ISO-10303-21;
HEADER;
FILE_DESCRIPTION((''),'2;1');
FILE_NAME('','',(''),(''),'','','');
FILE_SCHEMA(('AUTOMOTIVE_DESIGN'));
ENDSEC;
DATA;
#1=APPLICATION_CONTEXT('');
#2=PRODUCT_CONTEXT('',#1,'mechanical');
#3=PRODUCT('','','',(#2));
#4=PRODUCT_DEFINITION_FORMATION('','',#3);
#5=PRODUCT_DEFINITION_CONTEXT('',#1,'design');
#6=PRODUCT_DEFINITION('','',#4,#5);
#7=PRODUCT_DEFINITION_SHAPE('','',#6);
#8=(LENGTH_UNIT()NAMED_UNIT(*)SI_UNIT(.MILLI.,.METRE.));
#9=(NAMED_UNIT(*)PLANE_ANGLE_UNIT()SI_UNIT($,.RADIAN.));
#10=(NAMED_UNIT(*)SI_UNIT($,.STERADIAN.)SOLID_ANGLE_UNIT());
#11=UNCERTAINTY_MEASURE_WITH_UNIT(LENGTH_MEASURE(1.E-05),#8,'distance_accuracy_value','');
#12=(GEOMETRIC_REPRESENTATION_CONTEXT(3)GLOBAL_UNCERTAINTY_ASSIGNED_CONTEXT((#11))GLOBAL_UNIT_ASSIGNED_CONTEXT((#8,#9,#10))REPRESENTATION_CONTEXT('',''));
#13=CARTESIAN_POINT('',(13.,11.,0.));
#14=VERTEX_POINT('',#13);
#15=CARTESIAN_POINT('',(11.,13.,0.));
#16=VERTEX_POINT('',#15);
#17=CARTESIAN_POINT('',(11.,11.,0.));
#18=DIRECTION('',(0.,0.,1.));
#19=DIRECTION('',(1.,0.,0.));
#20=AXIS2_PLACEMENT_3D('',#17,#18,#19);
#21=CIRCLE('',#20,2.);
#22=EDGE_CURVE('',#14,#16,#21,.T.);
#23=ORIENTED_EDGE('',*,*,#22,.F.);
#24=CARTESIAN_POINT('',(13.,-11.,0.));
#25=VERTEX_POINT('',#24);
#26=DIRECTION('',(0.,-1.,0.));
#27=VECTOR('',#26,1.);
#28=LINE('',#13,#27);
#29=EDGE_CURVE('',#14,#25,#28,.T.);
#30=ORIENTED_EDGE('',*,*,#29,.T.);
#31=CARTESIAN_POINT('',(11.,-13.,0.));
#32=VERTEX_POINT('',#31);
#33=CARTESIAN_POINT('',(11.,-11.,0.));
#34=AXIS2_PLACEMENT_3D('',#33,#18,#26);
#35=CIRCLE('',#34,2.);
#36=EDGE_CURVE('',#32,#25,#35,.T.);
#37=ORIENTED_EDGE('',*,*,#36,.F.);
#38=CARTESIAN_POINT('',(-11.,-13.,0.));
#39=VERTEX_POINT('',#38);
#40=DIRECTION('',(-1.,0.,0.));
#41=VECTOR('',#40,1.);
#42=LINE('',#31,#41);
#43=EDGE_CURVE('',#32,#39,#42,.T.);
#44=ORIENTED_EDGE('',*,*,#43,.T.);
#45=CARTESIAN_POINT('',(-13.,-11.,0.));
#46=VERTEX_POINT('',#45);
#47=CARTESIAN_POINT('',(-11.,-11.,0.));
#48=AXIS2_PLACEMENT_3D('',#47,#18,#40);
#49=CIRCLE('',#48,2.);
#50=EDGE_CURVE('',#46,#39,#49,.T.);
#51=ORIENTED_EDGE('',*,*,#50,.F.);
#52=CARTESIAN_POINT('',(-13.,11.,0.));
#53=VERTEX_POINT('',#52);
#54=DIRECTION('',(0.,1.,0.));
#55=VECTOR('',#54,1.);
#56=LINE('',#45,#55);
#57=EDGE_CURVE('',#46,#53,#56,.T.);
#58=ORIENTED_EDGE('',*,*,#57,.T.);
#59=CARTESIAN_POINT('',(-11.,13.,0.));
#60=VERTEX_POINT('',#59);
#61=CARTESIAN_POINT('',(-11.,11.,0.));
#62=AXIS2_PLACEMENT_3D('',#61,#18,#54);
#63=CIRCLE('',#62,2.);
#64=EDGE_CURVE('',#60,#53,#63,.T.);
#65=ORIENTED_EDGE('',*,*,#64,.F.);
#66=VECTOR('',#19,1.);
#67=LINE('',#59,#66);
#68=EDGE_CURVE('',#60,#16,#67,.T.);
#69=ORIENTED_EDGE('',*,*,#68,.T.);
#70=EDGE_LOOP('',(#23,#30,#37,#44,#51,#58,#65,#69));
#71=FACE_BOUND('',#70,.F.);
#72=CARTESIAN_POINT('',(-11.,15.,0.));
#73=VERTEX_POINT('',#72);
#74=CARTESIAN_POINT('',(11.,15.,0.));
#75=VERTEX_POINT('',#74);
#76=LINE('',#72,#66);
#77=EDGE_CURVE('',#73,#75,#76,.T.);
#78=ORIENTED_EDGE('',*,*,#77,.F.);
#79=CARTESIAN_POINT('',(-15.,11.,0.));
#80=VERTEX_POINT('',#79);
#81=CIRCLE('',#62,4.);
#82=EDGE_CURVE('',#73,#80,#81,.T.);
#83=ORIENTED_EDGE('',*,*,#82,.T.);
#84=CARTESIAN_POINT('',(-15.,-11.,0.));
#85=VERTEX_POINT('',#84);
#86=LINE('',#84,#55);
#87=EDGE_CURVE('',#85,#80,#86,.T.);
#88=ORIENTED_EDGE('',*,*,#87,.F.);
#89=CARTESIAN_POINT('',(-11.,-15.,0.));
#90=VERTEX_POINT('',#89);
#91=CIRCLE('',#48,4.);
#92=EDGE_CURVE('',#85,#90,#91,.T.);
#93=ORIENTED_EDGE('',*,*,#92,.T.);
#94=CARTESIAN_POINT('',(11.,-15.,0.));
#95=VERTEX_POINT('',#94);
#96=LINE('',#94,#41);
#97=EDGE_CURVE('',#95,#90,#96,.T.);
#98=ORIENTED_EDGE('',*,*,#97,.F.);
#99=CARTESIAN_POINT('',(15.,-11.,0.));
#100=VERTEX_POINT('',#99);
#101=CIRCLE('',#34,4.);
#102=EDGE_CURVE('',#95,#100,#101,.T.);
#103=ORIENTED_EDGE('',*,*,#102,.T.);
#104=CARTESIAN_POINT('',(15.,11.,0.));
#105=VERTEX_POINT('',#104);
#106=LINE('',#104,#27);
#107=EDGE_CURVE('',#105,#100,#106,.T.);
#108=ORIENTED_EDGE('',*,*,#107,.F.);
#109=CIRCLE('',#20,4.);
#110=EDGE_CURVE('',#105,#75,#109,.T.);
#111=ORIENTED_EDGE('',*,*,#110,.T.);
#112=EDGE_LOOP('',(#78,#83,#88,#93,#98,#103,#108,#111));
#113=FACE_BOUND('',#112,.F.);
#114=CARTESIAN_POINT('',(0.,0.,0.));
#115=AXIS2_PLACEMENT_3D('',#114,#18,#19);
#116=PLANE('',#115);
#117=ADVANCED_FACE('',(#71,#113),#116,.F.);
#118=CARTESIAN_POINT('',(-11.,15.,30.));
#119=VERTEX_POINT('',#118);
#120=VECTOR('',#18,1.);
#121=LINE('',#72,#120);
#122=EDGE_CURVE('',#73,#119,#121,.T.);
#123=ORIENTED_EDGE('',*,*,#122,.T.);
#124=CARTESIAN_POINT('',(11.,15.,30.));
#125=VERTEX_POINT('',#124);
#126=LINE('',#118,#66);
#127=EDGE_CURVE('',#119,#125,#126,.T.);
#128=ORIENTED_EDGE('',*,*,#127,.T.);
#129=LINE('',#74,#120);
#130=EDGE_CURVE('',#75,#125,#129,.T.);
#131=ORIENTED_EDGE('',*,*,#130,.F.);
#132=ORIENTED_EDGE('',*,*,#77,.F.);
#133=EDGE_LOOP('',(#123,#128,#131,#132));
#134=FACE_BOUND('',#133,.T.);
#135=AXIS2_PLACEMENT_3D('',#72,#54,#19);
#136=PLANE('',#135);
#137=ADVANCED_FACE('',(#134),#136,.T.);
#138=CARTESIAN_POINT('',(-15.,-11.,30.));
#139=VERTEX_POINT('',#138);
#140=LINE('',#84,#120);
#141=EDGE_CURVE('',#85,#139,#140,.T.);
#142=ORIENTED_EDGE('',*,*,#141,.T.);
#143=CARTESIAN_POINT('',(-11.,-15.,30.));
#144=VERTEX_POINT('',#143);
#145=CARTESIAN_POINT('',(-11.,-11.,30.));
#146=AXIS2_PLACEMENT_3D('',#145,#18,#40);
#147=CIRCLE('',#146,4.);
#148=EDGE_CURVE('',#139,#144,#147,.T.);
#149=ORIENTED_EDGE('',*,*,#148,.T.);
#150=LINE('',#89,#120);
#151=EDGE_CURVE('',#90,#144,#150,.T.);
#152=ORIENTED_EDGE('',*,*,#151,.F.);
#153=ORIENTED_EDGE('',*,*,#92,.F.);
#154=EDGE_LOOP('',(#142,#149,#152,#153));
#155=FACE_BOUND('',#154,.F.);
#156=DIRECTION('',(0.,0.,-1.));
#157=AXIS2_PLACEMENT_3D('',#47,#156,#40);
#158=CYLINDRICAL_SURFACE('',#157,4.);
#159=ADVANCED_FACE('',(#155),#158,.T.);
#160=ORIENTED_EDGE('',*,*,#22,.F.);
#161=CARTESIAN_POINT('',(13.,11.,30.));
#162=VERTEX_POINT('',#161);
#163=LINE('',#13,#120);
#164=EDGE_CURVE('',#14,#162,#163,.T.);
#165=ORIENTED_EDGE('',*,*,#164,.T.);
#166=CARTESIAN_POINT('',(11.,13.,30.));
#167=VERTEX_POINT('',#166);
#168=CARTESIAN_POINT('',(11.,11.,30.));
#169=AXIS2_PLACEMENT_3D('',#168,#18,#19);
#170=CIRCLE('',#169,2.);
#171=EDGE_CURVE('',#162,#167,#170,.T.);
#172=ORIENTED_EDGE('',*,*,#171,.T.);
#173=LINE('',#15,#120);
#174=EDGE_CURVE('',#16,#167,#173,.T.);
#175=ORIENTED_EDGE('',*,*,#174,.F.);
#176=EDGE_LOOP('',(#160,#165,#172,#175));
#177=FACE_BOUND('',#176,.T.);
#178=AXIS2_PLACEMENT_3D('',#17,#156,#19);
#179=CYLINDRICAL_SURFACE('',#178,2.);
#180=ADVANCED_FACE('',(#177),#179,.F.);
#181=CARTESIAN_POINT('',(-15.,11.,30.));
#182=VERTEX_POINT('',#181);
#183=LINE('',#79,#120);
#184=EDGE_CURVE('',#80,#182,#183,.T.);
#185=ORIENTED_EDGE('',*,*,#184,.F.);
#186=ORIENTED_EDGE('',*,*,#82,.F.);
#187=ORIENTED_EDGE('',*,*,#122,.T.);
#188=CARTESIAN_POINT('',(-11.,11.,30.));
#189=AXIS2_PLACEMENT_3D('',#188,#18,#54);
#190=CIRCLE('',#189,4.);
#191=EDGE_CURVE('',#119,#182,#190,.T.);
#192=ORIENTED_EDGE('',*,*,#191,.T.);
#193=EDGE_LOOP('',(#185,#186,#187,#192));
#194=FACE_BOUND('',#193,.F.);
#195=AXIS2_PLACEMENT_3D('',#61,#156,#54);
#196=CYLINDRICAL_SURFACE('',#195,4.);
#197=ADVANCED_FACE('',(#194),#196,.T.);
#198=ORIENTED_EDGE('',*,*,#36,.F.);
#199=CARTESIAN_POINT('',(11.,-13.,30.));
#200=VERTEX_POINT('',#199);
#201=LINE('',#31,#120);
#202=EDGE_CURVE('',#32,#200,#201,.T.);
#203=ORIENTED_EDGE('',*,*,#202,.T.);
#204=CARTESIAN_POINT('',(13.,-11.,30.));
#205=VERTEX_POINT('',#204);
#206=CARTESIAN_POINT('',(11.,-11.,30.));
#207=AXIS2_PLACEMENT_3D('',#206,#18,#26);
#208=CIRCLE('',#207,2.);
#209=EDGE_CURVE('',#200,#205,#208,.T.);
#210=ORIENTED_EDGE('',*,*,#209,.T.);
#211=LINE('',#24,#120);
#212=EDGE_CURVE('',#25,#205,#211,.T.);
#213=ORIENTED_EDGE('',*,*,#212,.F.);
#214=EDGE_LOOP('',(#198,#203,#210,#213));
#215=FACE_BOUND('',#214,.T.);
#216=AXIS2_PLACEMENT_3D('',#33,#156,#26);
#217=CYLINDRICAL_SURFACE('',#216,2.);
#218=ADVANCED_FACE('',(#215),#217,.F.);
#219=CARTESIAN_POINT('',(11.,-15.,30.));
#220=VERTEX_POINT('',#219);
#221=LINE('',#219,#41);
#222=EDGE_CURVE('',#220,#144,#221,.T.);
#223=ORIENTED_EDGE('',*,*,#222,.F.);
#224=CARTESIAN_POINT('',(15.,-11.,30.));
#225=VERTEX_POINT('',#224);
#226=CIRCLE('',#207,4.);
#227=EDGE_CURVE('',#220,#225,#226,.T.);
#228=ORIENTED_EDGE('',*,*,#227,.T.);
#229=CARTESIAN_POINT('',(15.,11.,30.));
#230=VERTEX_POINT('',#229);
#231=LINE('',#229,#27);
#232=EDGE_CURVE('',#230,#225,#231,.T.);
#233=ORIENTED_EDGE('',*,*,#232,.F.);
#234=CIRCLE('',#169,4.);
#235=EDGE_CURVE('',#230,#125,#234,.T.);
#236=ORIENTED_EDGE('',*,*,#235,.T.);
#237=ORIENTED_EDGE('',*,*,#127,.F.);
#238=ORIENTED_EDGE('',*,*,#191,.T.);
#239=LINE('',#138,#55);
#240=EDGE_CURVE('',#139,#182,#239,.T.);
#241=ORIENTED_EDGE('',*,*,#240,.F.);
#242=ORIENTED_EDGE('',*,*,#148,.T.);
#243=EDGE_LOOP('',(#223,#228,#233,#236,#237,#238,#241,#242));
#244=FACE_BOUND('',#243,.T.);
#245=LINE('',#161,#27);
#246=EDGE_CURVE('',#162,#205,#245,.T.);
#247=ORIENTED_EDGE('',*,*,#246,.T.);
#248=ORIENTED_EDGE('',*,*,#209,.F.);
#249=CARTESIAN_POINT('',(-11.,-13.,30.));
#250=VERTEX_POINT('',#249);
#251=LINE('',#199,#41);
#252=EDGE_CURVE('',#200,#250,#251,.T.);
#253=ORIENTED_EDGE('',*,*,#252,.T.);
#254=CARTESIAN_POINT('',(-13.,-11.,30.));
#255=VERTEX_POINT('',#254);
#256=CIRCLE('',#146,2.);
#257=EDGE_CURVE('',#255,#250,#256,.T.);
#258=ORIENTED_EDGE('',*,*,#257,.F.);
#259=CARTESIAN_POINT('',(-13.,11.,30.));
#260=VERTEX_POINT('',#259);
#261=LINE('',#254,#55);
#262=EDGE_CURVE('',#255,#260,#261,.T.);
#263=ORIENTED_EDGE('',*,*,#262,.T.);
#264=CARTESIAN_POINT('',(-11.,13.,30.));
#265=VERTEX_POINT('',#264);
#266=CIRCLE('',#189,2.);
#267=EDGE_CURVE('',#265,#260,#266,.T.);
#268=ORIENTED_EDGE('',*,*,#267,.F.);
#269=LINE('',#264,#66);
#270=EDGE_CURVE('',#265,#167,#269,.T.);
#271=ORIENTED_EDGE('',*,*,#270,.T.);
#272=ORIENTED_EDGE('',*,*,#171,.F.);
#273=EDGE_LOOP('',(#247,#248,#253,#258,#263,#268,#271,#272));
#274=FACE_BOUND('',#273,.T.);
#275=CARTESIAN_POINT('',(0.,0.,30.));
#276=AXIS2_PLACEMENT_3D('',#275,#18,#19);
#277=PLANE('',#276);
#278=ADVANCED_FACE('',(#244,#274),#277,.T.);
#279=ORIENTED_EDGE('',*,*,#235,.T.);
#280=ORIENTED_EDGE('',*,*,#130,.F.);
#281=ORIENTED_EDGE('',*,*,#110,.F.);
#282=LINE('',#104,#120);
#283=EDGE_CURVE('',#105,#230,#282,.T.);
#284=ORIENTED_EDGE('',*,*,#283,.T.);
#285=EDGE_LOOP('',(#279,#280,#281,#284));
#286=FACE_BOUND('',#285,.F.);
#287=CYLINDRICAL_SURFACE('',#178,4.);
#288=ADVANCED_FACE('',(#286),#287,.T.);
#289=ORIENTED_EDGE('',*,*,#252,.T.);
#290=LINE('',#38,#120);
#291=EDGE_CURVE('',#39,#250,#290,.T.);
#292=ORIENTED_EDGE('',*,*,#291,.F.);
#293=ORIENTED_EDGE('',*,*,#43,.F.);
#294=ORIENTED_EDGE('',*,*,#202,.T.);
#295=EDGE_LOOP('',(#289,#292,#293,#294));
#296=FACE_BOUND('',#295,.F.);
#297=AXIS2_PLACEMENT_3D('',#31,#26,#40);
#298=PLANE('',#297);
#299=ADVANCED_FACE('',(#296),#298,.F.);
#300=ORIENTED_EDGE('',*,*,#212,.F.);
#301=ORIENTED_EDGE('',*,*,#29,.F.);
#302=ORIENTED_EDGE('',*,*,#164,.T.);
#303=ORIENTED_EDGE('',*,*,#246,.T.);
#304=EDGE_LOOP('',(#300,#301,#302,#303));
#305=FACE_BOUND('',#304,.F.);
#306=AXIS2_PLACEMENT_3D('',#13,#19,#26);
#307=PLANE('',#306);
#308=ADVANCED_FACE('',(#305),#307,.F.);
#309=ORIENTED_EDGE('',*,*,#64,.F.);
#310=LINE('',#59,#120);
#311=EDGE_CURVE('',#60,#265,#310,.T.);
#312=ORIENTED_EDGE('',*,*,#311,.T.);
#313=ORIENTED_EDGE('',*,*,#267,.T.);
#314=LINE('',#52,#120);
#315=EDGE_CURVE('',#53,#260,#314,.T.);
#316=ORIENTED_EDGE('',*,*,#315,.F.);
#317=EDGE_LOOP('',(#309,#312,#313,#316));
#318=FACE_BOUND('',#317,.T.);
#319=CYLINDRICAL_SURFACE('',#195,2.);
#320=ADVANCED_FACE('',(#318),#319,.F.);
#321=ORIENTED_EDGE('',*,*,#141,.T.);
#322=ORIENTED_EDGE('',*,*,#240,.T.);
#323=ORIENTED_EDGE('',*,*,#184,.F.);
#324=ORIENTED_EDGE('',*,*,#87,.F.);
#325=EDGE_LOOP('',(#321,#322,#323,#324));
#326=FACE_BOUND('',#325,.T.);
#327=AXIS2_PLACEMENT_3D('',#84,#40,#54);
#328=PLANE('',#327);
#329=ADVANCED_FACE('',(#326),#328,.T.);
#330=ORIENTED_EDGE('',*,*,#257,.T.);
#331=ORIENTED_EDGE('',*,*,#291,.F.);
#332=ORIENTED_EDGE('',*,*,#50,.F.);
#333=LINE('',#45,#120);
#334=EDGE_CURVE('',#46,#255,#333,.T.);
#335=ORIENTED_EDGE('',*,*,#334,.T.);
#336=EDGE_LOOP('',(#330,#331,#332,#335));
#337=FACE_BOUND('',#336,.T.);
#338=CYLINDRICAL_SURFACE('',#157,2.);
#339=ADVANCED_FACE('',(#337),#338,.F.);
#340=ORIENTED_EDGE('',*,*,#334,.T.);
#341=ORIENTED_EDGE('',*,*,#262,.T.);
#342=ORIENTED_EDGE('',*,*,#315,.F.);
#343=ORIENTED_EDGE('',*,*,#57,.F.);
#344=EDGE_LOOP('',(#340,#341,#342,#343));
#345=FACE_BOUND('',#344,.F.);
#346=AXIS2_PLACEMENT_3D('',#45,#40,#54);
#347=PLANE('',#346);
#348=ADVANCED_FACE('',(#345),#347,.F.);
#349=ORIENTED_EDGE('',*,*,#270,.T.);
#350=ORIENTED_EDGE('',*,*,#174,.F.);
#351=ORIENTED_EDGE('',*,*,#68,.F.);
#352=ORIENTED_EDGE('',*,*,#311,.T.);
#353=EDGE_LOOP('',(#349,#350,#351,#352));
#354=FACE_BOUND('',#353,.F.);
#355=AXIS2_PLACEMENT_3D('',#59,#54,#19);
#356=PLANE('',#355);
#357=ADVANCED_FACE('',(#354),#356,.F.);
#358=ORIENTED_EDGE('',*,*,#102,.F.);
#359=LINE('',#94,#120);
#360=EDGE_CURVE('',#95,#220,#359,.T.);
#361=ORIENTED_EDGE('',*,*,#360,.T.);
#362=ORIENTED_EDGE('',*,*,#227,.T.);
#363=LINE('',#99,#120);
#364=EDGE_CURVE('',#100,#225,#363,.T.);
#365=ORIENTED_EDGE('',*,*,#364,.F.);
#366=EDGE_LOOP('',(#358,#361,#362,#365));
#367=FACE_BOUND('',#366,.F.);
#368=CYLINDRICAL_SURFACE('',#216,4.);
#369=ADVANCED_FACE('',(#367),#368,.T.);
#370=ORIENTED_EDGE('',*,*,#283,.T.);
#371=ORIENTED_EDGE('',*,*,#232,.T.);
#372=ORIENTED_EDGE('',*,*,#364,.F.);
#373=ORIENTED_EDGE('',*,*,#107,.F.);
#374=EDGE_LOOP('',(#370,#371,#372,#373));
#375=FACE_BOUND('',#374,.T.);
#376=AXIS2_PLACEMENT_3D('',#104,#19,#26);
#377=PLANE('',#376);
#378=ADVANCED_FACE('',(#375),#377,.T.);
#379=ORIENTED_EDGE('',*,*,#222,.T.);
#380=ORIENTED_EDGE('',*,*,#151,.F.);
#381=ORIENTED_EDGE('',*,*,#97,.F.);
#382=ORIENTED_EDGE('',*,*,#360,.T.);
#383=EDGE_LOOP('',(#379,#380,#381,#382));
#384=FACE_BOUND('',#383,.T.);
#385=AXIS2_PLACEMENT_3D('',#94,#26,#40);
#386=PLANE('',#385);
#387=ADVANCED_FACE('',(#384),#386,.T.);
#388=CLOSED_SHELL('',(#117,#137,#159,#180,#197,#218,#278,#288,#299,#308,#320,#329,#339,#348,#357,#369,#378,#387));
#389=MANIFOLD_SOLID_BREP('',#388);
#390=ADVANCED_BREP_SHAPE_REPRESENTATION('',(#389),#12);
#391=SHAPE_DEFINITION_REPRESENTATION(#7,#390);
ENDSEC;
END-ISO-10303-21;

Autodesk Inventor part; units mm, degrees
ref_plane "YZ Plane" through (0, 0, 0) normal (1, 0, 0) x (0, 1, 0)
ref_plane "Plan de départ" through (0, 0, 0) normal (0, 0, 1) x (1, 0, 0)
ref_plane "Plan de fin" through (0, 0, 30) normal (0, 0, 1) x (1, 0, 0)
sketch "Esquisse" plane through (0, 0, 0) normal (0, 0, 1) x (1, 0, 0)
  line L0 (-15, -11) -> (-15, 11)
  line L1 (-11, 15) -> (11, 15)
  line L2 (15, 11) -> (15, -11)
  line L3 (11, -15) -> (-11, -15)
  arc A0 (-15, -11) -> (-11, -15) centre (-11, -11) ccw
  arc A1 (15, 11) -> (11, 15) centre (11, 11) ccw
  arc A2 (-11, 15) -> (-15, 11) centre (-11, 11) ccw
  arc A3 (11, -15) -> (15, -11) centre (11, -11) ccw
  arc A4 (-11, 13) -> (-13, 11) centre (-11, 11) ccw
  line L4 (-11, 13) -> (11, 13)
  arc A5 (13, 11) -> (11, 13) centre (11, 11) ccw
  line L5 (13, 11) -> (13, -11)
  arc A6 (11, -13) -> (13, -11) centre (11, -11) ccw
  line L6 (11, -13) -> (-11, -13)
  arc A7 (-13, -11) -> (-11, -13) centre (-11, -11) ccw
  line L7 (-13, -11) -> (-13, 11)
  line L8 (0, 22.1598) -> (0, -22.1598) construction
  line L9 (-22.1598, 0) -> (22.1598, 0) construction
  dimension "d7" = 4
  dimension "d9" = 30
  dimension "d11" = 30
  dimension "d12" = 2
  dimension "d15" = 15
  dimension "d16" = 15
extrude "Corps" add sketch "Esquisse" along normal up to surface (30 mm away) from surface at 0
sketch "Sketch3" plane through (0, 0, 0) normal (0, 0, 1) x (1, 0, 0)
  line L0 (0, 0) -> (10, 0)
ref_plane "Work Plane3" through (0, 0, 0) normal (0, -1, 0) x (1, 0, 0)
sketch "Sketch4" plane through (0, 0, 0) normal (0, -1, 0) x (1, 0, 0)
  line L0 (-2, 0) -> (12, 0) projected
  line L1 (-2, 30) -> (12, 30) projected
  dimension "d18" = 30
equation "\"d7\" = G_IR"
equation "\"d9\" = G_W"
equation "\"d11\" = G_H"
equation "\"d12\" = G_T"
equation "\"d15\" = 0.5 * d9"
equation "\"d16\" = 0.5 * d11"
equation "\"d3\" = G_L"
equation "\"G_W\" = 30"
equation "\"G_H\" = 30"
equation "\"G_T\" = 2"
equation "\"G_IR\" = 4"
equation "\"G_L\" = d18"
equation "\"G_OFFSET_START\" = 0"
equation "\"G_OFFSET_END\" = 0"
properties part number "ISO 10799-2 - 30x30x2 - 30" material "Acier, doux"
